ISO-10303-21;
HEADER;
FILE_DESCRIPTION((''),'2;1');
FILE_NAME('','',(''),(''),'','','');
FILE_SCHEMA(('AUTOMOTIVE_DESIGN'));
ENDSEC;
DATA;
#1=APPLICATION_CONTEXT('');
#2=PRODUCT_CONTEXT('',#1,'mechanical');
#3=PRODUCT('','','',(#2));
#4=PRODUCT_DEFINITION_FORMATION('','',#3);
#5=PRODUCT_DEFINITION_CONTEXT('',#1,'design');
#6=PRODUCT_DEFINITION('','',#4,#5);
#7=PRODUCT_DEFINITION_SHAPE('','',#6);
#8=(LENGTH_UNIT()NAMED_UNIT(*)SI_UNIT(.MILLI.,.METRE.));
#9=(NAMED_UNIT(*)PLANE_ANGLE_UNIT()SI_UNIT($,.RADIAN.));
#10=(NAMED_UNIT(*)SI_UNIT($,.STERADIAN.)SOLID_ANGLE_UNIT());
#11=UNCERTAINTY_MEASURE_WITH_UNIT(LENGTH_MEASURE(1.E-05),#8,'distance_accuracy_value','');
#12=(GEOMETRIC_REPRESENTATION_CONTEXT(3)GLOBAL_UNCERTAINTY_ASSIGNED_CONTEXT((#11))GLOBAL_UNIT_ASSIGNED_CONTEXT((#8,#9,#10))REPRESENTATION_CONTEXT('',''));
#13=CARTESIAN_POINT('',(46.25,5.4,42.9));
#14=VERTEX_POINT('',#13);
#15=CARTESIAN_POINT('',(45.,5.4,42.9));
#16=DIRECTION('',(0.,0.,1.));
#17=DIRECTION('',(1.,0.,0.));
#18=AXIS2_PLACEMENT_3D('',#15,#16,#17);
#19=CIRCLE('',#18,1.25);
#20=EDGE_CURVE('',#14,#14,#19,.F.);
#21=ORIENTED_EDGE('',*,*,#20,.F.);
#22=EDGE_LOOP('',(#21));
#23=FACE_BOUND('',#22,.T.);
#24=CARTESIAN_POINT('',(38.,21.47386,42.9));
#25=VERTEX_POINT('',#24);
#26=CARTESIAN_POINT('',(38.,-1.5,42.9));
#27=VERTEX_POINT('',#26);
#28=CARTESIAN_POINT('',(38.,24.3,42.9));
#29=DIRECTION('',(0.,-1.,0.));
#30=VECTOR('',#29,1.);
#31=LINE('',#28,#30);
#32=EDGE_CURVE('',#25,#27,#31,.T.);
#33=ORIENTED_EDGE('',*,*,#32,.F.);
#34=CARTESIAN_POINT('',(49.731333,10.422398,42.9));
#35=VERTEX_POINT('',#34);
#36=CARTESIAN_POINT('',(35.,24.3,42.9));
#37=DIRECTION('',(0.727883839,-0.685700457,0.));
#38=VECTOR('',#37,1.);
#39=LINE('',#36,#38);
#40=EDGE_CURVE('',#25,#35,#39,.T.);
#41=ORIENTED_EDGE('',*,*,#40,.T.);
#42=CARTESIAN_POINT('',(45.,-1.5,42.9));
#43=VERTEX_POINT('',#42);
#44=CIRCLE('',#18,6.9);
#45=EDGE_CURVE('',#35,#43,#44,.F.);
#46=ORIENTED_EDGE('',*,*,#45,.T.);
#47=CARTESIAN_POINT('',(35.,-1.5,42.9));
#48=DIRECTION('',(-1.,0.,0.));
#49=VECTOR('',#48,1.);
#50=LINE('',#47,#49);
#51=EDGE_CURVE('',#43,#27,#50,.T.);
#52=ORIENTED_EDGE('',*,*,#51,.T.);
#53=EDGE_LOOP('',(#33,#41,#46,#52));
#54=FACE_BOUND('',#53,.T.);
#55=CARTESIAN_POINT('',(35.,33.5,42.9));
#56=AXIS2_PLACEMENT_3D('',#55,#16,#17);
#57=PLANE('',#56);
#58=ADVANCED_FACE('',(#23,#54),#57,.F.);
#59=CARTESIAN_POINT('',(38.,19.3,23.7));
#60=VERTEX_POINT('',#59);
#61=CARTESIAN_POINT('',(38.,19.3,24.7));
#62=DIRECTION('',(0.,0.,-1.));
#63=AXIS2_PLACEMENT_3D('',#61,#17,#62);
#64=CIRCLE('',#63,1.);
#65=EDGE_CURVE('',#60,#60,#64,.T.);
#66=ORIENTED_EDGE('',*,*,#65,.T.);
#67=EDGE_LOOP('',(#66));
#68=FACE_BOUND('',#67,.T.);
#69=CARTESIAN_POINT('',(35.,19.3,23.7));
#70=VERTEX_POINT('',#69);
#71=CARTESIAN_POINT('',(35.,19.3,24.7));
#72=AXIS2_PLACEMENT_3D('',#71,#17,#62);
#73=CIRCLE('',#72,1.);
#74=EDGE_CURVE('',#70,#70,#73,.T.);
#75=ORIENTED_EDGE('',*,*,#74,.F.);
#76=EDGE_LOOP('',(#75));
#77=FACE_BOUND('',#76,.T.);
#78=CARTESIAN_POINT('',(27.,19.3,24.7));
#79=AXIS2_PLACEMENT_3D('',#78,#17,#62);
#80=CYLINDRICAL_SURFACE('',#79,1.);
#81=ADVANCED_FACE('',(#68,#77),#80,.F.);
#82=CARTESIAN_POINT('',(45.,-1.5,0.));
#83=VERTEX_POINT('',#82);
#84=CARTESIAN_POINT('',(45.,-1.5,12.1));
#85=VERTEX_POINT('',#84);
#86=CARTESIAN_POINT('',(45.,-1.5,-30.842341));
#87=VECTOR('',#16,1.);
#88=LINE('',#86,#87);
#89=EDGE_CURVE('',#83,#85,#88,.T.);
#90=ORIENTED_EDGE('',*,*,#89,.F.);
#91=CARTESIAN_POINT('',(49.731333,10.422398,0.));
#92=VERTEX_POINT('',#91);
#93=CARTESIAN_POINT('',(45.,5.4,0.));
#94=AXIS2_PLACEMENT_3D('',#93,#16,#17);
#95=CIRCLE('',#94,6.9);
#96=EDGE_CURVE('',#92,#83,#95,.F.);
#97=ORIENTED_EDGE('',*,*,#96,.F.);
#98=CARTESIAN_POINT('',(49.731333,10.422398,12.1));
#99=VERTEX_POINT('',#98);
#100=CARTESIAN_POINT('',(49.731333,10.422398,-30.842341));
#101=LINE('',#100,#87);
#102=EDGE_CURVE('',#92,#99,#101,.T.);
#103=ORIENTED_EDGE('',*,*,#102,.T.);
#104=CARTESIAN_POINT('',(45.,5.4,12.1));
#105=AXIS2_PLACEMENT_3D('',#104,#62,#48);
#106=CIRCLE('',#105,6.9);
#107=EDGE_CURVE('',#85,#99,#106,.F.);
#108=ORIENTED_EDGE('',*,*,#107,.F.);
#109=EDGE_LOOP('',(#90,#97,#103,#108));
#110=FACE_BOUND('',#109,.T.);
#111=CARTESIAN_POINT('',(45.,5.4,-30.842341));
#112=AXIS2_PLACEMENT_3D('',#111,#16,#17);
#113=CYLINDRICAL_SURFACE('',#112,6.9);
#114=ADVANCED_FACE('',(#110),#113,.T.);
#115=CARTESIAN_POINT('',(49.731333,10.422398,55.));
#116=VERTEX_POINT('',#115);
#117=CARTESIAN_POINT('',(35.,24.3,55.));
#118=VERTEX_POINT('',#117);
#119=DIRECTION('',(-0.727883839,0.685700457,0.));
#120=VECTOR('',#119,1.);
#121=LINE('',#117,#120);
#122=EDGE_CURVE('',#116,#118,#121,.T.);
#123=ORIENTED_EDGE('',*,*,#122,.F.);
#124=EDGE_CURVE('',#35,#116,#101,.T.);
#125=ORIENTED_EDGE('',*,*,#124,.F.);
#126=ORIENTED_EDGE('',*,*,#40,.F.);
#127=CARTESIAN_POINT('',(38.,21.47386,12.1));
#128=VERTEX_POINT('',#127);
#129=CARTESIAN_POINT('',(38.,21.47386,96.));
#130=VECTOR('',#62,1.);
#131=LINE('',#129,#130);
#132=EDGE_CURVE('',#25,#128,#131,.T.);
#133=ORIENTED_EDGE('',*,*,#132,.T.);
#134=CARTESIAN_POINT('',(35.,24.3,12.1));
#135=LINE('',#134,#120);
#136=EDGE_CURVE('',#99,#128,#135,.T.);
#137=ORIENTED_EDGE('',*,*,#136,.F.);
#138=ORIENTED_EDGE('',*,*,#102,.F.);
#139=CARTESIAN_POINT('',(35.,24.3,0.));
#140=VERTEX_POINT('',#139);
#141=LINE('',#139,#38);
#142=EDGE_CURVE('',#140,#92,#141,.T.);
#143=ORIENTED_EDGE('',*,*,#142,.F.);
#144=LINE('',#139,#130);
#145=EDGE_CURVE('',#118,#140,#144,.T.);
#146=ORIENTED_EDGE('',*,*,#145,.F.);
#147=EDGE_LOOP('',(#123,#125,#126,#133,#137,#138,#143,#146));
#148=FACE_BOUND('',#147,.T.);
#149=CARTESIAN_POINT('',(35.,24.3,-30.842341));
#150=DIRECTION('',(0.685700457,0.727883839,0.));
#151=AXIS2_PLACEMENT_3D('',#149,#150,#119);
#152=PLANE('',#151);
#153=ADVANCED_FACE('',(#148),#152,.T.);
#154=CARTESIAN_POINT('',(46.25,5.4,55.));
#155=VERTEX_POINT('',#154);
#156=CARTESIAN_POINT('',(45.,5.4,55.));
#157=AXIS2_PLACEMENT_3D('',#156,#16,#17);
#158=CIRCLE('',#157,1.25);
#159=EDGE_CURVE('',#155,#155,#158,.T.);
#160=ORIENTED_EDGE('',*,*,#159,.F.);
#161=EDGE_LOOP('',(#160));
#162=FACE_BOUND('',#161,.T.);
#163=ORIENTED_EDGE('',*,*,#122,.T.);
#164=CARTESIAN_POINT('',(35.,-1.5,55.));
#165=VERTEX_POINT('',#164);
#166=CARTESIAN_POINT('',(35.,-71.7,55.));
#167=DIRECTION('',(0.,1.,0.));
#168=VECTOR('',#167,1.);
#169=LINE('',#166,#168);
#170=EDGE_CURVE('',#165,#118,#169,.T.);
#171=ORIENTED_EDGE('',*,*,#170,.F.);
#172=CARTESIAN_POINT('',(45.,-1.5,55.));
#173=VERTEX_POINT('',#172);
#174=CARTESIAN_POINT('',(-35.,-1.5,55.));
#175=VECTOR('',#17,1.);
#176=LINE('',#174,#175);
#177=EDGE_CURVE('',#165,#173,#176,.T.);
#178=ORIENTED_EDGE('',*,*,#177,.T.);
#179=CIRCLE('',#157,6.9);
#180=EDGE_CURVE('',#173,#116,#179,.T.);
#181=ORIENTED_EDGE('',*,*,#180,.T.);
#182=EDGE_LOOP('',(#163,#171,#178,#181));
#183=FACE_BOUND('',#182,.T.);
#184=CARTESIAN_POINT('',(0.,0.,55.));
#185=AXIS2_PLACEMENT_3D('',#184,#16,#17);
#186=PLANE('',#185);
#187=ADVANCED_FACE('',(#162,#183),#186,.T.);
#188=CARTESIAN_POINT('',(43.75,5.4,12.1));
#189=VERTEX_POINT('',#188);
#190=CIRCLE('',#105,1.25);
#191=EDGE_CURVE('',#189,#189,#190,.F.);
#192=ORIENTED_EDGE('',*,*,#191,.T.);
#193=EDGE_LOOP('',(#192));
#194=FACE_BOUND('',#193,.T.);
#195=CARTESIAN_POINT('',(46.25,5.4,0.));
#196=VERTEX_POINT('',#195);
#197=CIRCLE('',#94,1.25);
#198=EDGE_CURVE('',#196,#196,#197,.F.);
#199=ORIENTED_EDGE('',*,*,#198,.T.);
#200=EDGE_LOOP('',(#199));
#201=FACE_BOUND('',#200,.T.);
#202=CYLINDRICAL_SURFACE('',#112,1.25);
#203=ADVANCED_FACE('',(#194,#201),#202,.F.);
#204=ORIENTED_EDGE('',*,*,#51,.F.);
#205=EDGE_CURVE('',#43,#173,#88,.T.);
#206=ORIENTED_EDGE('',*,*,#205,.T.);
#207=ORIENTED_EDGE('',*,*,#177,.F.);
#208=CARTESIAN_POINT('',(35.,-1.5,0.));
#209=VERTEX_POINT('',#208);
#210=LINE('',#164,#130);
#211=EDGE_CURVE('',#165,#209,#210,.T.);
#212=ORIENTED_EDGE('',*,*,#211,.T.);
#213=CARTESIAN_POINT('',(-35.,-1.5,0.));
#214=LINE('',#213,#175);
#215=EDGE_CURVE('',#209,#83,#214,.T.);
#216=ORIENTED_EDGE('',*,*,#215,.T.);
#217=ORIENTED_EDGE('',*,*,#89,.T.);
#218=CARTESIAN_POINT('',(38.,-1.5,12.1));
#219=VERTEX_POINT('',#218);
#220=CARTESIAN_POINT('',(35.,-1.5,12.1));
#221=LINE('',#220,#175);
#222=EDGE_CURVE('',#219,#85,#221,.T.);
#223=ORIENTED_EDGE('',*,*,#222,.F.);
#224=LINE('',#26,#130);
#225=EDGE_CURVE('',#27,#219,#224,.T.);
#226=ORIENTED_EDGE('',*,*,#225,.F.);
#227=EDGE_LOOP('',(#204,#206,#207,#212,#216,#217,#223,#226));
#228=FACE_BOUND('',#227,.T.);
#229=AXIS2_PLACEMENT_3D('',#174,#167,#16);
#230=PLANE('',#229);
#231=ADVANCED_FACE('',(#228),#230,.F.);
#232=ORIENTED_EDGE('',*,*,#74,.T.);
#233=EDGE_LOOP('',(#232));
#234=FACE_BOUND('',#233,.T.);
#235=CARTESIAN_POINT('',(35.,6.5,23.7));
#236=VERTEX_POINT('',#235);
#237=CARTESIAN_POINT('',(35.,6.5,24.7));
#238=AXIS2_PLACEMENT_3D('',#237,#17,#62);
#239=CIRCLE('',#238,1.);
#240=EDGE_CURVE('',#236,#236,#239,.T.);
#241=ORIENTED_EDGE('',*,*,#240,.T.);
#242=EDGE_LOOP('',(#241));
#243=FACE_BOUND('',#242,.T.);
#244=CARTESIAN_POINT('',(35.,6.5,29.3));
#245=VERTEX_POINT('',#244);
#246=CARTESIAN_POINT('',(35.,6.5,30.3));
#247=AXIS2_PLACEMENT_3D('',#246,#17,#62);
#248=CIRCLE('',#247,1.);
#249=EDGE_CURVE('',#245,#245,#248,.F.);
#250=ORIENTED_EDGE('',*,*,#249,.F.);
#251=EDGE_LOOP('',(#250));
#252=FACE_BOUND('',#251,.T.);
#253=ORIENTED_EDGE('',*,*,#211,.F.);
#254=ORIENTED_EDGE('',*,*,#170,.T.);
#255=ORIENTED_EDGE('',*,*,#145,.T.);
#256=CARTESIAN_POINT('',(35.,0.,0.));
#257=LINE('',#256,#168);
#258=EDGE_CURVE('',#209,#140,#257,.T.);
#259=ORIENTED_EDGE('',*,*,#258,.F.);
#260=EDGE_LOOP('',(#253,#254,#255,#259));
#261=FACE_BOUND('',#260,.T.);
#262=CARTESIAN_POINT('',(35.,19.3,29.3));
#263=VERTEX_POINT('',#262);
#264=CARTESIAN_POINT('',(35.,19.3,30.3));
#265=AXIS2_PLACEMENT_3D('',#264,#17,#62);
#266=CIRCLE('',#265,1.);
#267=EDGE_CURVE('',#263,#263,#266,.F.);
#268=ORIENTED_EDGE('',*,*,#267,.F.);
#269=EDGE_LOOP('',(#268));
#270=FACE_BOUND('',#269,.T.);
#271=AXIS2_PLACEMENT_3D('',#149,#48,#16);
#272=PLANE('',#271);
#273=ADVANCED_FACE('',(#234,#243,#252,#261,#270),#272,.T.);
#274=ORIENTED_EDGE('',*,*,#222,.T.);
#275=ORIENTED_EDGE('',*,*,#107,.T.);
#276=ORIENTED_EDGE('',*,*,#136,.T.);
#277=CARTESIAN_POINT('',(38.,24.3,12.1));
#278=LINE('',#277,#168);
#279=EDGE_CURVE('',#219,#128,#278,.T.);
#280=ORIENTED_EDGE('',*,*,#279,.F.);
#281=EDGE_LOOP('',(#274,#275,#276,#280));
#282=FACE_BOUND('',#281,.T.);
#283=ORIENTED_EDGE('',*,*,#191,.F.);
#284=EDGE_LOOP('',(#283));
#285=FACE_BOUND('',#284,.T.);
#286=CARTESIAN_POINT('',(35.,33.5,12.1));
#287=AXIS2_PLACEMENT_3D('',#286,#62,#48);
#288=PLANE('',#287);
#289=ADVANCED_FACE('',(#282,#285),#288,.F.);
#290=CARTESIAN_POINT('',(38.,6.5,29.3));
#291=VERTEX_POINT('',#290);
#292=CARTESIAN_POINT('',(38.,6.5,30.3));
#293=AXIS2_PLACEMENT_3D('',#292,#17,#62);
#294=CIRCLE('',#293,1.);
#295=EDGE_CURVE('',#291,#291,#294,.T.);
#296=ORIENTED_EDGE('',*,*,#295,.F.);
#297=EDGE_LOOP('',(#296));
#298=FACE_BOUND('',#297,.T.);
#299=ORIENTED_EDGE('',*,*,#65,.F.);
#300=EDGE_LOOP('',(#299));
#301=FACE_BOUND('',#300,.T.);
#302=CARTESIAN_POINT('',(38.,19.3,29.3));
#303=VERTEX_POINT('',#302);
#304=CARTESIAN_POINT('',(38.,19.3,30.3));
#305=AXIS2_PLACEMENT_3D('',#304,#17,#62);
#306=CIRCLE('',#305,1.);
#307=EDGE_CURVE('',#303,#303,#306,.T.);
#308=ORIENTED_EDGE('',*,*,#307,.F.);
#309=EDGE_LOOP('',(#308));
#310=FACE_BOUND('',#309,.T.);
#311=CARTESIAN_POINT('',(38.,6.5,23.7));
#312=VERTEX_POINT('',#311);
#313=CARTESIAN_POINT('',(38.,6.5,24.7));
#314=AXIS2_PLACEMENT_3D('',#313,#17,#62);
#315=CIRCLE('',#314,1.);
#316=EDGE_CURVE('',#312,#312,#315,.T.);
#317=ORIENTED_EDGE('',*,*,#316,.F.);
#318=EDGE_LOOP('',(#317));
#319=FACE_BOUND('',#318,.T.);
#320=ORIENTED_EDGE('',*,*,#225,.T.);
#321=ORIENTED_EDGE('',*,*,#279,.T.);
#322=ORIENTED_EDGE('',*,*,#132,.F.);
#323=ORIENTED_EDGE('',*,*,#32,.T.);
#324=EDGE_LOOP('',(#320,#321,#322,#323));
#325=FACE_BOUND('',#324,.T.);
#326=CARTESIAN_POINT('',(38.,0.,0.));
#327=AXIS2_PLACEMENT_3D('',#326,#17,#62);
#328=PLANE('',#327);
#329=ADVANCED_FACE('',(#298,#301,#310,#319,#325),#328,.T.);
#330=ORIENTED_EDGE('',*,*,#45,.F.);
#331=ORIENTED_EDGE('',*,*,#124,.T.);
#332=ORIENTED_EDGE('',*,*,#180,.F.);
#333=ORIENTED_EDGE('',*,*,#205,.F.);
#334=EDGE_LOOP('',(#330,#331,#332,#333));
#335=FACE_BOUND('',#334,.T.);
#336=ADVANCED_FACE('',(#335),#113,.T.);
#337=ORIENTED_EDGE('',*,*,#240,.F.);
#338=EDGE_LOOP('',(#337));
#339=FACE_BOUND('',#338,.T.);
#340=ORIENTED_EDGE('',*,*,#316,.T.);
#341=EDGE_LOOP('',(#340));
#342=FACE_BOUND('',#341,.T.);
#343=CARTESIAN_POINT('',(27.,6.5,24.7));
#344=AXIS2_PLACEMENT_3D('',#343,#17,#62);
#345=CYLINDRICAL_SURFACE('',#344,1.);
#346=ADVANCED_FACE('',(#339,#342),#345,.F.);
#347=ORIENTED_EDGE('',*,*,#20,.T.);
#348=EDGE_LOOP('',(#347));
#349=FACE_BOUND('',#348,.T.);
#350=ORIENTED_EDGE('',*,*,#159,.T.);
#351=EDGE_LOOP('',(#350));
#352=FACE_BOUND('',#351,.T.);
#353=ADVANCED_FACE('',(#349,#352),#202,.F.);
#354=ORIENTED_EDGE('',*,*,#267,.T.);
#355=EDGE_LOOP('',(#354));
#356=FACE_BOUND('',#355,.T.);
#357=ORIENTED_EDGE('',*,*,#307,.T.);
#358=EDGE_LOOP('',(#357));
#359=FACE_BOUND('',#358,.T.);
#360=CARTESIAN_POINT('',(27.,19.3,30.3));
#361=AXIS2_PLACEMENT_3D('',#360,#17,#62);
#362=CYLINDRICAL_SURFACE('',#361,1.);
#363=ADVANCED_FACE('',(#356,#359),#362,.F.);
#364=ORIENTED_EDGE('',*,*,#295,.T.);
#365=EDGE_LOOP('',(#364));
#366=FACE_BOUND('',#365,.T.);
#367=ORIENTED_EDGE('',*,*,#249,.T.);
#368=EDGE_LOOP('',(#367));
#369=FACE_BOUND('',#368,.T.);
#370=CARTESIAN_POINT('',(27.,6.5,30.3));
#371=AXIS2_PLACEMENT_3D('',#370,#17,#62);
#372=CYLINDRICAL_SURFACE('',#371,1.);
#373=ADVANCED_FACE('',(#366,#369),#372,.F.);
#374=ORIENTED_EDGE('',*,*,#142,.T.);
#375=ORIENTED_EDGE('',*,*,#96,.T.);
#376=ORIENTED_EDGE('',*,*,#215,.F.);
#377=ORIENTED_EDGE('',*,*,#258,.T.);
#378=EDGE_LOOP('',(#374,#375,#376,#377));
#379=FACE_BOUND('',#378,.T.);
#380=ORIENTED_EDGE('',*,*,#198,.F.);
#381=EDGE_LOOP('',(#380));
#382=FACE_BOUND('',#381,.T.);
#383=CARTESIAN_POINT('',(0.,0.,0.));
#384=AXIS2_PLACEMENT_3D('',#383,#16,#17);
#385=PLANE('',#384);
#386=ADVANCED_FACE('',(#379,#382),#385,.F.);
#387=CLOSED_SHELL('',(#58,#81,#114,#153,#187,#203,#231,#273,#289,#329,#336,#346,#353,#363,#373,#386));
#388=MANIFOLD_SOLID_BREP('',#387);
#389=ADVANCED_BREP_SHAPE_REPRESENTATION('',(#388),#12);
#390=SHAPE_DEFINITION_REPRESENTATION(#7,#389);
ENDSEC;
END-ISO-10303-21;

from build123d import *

# Parameters (mm, degrees)
SKETCH1_W           = 70
SKETCH1_H           = 3
BOSS_EXTRUDE1_DEPTH = 55
SKETCH2_W           = 70
SKETCH2_H           = 2.5
BOSS_EXTRUDE2_DEPTH = 22.8
SKETCH5_R           = 3.5
CUT_EXTRUDE1_DEPTH  = 84.8
SKETCH6_W           = 16
SKETCH6_H           = 11.6
SKETCH6_W_2         = 15
BOSS_EXTRUDE7_DEPTH = 22.8
SKETCH7_R           = 1
CUT_EXTRUDE2_DEPTH  = 8
SKETCH8_R           = 1
CUT_EXTRUDE3_DEPTH  = 8
FILLET1_R           = 5
SKETCH9_W           = 14.084433838
SKETCH9_H           = 7
CUT_EXTRUDE4_DEPTH  = 66
SKETCH10_R          = 1.25
BOSS_EXTRUDE8_DEPTH = 55
SKETCH11_W          = 19.22261198
SKETCH11_H          = 30.8
CUT_EXTRUDE5_DEPTH  = 35
SKETCH12_W          = 30.8
SKETCH12_H          = 25.8
SKETCH12_R          = 1
BOSS_EXTRUDE9_DEPTH = 3
CUT_EXTRUDE6_DEPTH  = 96
SKETCH14_W          = 89.735472453
SKETCH14_H          = 73.087764116
CUT_EXTRUDE7_DEPTH  = 96


with BuildPart() as part:
    # Sketch1 → Boss-Extrude1 (new body)
    with BuildSketch(Plane.XY):
        Rectangle(SKETCH1_W, SKETCH1_H)
    extrude(amount=BOSS_EXTRUDE1_DEPTH)

    # Sketch2 → Boss-Extrude2 (add)
    with BuildSketch(Plane(origin=(0, 1.5, 0), x_dir=(1, 0, 0), z_dir=(0, 1, 0))):
        with Locations((0, -1.25)):
            Rectangle(SKETCH2_W, SKETCH2_H)
        with Locations((0, -53.75)):
            Rectangle(SKETCH2_W, SKETCH2_H)
    extrude(amount=BOSS_EXTRUDE2_DEPTH)

    # Sketch5 → Cut-Extrude1 (cut)
    with BuildSketch(Plane.XY.offset(55)):
        with Locations((-24, 11.4)):
            Circle(SKETCH5_R)
    extrude(amount=-CUT_EXTRUDE1_DEPTH, mode=Mode.SUBTRACT)

    # Sketch6 → Boss-Extrude7 (add)
    with BuildSketch(Plane(origin=(0, 24.3, 0), x_dir=(1, 0, 0), z_dir=(0, 1, 0))):
        with Locations((-7, -27.5)):
            Rectangle(SKETCH6_W, SKETCH6_H)
        with Locations((27.5, -27.5)):
            Rectangle(SKETCH6_W_2, SKETCH6_H)
    extrude(amount=-BOSS_EXTRUDE7_DEPTH)

    # Sketch7 → Cut-Extrude2 (cut)
    with BuildSketch(Plane(origin=(0, 24.3, 0), x_dir=(1, 0, 0), z_dir=(0, 1, 0))):
        with Locations((-12, -24.7)):
            Circle(SKETCH7_R)
        with Locations((23, -30.3)):
            Circle(SKETCH7_R)
        with Locations((-2, -24.7)):
            Circle(SKETCH7_R)
        with Locations((-2, -30.3)):
            Circle(SKETCH7_R)
        with Locations((-12, -30.3)):
            Circle(SKETCH7_R)
        with Locations((23, -24.7)):
            Circle(SKETCH7_R)
        with Locations((32, -24.7)):
            Circle(SKETCH7_R)
        with Locations((32, -30.3)):
            Circle(SKETCH7_R)
    extrude(amount=-CUT_EXTRUDE2_DEPTH, mode=Mode.SUBTRACT)

    # Sketch8 → Cut-Extrude3 (cut)
    with BuildSketch(Plane(origin=(35, 0, 0), x_dir=(0, 0, -1), z_dir=(1, 0, 0))):
        with Locations((-24.7, 19.3)):
            Circle(SKETCH8_R)
        with Locations((-30.3, 19.3)):
            Circle(SKETCH8_R)
        with Locations((-24.7, 6.5)):
            Circle(SKETCH8_R)
        with Locations((-30.3, 6.5)):
            Circle(SKETCH8_R)
    extrude(amount=-CUT_EXTRUDE3_DEPTH, mode=Mode.SUBTRACT)

    # Fillet1
    fillet1_edges = [part.edges().sort_by_distance(p)[0] for p in [
        (1, 1.5, 27.5),
        (-15, 1.5, 27.5),
        (20, 1.5, 27.5),
    ]]
    fillet(fillet1_edges, radius=FILLET1_R)

    # Sketch9 → Cut-Extrude4 (cut)
    with BuildSketch(Plane.XY.offset(55)):
        with Locations((-31.042216919, 11.4)):
            Rectangle(SKETCH9_W, SKETCH9_H)
    extrude(amount=-CUT_EXTRUDE4_DEPTH, mode=Mode.SUBTRACT)

    # Sketch10 → Boss-Extrude8 (add)
    with BuildSketch(Plane.XY.offset(55)):
        with BuildLine():
            Line((35, 24.3), (49.731333151, 10.422398492))
            ThreePointArc((49.731333151, 10.422398492), (51.413444846, 2.85486244), (45, -1.5))
            Line((45, -1.5), (35, -1.5))
            Line((35, -1.5), (35, 24.3))
        make_face()
        with Locations((45, 5.4)):
            Circle(SKETCH10_R, mode=Mode.SUBTRACT)
    extrude(amount=-BOSS_EXTRUDE8_DEPTH)

    # Sketch11 → Cut-Extrude5 (cut)
    with BuildSketch(Plane.XZ.offset(1.5)):
        with Locations((44.61130599, 27.5)):
            Rectangle(SKETCH11_W, SKETCH11_H)
    extrude(amount=-CUT_EXTRUDE5_DEPTH, mode=Mode.SUBTRACT)

    # Sketch12 → Boss-Extrude9 (add)
    with BuildSketch(Plane(origin=(35, 0, 0), x_dir=(0, 0, -1), z_dir=(1, 0, 0))):
        with Locations((-27.5, 11.4)):
            Rectangle(SKETCH12_W, SKETCH12_H)
        with Locations((-30.3, 19.3)):
            Circle(SKETCH12_R, mode=Mode.SUBTRACT)
        with Locations((-30.3, 6.5)):
            Circle(SKETCH12_R, mode=Mode.SUBTRACT)
        with Locations((-24.7, 6.5)):
            Circle(SKETCH12_R, mode=Mode.SUBTRACT)
        with Locations((-24.7, 19.3)):
            Circle(SKETCH12_R, mode=Mode.SUBTRACT)
    extrude(amount=BOSS_EXTRUDE9_DEPTH)

    # Sketch13 → Cut-Extrude6 (cut)
    with BuildSketch(Plane(origin=(0, 0, 0), x_dir=(-1, 0, 0), z_dir=(0, 0, -1))):
        Polygon((-35, 24.3), (-38, 21.473860363), (-40.585256697, 23.898774346), (-37.538023225, 25.511318129), align=None)
    extrude(amount=-CUT_EXTRUDE6_DEPTH, mode=Mode.SUBTRACT)

    # Sketch14 → Cut-Extrude7 (cut)
    with BuildSketch(Plane(origin=(0, 24.3, 0), x_dir=(1, 0, 0), z_dir=(0, 1, 0))):
        with Locations((-9.867736226, -18.456117942)):
            Rectangle(SKETCH14_W, SKETCH14_H)
    extrude(amount=-CUT_EXTRUDE7_DEPTH, mode=Mode.SUBTRACT)


solid = part.part
